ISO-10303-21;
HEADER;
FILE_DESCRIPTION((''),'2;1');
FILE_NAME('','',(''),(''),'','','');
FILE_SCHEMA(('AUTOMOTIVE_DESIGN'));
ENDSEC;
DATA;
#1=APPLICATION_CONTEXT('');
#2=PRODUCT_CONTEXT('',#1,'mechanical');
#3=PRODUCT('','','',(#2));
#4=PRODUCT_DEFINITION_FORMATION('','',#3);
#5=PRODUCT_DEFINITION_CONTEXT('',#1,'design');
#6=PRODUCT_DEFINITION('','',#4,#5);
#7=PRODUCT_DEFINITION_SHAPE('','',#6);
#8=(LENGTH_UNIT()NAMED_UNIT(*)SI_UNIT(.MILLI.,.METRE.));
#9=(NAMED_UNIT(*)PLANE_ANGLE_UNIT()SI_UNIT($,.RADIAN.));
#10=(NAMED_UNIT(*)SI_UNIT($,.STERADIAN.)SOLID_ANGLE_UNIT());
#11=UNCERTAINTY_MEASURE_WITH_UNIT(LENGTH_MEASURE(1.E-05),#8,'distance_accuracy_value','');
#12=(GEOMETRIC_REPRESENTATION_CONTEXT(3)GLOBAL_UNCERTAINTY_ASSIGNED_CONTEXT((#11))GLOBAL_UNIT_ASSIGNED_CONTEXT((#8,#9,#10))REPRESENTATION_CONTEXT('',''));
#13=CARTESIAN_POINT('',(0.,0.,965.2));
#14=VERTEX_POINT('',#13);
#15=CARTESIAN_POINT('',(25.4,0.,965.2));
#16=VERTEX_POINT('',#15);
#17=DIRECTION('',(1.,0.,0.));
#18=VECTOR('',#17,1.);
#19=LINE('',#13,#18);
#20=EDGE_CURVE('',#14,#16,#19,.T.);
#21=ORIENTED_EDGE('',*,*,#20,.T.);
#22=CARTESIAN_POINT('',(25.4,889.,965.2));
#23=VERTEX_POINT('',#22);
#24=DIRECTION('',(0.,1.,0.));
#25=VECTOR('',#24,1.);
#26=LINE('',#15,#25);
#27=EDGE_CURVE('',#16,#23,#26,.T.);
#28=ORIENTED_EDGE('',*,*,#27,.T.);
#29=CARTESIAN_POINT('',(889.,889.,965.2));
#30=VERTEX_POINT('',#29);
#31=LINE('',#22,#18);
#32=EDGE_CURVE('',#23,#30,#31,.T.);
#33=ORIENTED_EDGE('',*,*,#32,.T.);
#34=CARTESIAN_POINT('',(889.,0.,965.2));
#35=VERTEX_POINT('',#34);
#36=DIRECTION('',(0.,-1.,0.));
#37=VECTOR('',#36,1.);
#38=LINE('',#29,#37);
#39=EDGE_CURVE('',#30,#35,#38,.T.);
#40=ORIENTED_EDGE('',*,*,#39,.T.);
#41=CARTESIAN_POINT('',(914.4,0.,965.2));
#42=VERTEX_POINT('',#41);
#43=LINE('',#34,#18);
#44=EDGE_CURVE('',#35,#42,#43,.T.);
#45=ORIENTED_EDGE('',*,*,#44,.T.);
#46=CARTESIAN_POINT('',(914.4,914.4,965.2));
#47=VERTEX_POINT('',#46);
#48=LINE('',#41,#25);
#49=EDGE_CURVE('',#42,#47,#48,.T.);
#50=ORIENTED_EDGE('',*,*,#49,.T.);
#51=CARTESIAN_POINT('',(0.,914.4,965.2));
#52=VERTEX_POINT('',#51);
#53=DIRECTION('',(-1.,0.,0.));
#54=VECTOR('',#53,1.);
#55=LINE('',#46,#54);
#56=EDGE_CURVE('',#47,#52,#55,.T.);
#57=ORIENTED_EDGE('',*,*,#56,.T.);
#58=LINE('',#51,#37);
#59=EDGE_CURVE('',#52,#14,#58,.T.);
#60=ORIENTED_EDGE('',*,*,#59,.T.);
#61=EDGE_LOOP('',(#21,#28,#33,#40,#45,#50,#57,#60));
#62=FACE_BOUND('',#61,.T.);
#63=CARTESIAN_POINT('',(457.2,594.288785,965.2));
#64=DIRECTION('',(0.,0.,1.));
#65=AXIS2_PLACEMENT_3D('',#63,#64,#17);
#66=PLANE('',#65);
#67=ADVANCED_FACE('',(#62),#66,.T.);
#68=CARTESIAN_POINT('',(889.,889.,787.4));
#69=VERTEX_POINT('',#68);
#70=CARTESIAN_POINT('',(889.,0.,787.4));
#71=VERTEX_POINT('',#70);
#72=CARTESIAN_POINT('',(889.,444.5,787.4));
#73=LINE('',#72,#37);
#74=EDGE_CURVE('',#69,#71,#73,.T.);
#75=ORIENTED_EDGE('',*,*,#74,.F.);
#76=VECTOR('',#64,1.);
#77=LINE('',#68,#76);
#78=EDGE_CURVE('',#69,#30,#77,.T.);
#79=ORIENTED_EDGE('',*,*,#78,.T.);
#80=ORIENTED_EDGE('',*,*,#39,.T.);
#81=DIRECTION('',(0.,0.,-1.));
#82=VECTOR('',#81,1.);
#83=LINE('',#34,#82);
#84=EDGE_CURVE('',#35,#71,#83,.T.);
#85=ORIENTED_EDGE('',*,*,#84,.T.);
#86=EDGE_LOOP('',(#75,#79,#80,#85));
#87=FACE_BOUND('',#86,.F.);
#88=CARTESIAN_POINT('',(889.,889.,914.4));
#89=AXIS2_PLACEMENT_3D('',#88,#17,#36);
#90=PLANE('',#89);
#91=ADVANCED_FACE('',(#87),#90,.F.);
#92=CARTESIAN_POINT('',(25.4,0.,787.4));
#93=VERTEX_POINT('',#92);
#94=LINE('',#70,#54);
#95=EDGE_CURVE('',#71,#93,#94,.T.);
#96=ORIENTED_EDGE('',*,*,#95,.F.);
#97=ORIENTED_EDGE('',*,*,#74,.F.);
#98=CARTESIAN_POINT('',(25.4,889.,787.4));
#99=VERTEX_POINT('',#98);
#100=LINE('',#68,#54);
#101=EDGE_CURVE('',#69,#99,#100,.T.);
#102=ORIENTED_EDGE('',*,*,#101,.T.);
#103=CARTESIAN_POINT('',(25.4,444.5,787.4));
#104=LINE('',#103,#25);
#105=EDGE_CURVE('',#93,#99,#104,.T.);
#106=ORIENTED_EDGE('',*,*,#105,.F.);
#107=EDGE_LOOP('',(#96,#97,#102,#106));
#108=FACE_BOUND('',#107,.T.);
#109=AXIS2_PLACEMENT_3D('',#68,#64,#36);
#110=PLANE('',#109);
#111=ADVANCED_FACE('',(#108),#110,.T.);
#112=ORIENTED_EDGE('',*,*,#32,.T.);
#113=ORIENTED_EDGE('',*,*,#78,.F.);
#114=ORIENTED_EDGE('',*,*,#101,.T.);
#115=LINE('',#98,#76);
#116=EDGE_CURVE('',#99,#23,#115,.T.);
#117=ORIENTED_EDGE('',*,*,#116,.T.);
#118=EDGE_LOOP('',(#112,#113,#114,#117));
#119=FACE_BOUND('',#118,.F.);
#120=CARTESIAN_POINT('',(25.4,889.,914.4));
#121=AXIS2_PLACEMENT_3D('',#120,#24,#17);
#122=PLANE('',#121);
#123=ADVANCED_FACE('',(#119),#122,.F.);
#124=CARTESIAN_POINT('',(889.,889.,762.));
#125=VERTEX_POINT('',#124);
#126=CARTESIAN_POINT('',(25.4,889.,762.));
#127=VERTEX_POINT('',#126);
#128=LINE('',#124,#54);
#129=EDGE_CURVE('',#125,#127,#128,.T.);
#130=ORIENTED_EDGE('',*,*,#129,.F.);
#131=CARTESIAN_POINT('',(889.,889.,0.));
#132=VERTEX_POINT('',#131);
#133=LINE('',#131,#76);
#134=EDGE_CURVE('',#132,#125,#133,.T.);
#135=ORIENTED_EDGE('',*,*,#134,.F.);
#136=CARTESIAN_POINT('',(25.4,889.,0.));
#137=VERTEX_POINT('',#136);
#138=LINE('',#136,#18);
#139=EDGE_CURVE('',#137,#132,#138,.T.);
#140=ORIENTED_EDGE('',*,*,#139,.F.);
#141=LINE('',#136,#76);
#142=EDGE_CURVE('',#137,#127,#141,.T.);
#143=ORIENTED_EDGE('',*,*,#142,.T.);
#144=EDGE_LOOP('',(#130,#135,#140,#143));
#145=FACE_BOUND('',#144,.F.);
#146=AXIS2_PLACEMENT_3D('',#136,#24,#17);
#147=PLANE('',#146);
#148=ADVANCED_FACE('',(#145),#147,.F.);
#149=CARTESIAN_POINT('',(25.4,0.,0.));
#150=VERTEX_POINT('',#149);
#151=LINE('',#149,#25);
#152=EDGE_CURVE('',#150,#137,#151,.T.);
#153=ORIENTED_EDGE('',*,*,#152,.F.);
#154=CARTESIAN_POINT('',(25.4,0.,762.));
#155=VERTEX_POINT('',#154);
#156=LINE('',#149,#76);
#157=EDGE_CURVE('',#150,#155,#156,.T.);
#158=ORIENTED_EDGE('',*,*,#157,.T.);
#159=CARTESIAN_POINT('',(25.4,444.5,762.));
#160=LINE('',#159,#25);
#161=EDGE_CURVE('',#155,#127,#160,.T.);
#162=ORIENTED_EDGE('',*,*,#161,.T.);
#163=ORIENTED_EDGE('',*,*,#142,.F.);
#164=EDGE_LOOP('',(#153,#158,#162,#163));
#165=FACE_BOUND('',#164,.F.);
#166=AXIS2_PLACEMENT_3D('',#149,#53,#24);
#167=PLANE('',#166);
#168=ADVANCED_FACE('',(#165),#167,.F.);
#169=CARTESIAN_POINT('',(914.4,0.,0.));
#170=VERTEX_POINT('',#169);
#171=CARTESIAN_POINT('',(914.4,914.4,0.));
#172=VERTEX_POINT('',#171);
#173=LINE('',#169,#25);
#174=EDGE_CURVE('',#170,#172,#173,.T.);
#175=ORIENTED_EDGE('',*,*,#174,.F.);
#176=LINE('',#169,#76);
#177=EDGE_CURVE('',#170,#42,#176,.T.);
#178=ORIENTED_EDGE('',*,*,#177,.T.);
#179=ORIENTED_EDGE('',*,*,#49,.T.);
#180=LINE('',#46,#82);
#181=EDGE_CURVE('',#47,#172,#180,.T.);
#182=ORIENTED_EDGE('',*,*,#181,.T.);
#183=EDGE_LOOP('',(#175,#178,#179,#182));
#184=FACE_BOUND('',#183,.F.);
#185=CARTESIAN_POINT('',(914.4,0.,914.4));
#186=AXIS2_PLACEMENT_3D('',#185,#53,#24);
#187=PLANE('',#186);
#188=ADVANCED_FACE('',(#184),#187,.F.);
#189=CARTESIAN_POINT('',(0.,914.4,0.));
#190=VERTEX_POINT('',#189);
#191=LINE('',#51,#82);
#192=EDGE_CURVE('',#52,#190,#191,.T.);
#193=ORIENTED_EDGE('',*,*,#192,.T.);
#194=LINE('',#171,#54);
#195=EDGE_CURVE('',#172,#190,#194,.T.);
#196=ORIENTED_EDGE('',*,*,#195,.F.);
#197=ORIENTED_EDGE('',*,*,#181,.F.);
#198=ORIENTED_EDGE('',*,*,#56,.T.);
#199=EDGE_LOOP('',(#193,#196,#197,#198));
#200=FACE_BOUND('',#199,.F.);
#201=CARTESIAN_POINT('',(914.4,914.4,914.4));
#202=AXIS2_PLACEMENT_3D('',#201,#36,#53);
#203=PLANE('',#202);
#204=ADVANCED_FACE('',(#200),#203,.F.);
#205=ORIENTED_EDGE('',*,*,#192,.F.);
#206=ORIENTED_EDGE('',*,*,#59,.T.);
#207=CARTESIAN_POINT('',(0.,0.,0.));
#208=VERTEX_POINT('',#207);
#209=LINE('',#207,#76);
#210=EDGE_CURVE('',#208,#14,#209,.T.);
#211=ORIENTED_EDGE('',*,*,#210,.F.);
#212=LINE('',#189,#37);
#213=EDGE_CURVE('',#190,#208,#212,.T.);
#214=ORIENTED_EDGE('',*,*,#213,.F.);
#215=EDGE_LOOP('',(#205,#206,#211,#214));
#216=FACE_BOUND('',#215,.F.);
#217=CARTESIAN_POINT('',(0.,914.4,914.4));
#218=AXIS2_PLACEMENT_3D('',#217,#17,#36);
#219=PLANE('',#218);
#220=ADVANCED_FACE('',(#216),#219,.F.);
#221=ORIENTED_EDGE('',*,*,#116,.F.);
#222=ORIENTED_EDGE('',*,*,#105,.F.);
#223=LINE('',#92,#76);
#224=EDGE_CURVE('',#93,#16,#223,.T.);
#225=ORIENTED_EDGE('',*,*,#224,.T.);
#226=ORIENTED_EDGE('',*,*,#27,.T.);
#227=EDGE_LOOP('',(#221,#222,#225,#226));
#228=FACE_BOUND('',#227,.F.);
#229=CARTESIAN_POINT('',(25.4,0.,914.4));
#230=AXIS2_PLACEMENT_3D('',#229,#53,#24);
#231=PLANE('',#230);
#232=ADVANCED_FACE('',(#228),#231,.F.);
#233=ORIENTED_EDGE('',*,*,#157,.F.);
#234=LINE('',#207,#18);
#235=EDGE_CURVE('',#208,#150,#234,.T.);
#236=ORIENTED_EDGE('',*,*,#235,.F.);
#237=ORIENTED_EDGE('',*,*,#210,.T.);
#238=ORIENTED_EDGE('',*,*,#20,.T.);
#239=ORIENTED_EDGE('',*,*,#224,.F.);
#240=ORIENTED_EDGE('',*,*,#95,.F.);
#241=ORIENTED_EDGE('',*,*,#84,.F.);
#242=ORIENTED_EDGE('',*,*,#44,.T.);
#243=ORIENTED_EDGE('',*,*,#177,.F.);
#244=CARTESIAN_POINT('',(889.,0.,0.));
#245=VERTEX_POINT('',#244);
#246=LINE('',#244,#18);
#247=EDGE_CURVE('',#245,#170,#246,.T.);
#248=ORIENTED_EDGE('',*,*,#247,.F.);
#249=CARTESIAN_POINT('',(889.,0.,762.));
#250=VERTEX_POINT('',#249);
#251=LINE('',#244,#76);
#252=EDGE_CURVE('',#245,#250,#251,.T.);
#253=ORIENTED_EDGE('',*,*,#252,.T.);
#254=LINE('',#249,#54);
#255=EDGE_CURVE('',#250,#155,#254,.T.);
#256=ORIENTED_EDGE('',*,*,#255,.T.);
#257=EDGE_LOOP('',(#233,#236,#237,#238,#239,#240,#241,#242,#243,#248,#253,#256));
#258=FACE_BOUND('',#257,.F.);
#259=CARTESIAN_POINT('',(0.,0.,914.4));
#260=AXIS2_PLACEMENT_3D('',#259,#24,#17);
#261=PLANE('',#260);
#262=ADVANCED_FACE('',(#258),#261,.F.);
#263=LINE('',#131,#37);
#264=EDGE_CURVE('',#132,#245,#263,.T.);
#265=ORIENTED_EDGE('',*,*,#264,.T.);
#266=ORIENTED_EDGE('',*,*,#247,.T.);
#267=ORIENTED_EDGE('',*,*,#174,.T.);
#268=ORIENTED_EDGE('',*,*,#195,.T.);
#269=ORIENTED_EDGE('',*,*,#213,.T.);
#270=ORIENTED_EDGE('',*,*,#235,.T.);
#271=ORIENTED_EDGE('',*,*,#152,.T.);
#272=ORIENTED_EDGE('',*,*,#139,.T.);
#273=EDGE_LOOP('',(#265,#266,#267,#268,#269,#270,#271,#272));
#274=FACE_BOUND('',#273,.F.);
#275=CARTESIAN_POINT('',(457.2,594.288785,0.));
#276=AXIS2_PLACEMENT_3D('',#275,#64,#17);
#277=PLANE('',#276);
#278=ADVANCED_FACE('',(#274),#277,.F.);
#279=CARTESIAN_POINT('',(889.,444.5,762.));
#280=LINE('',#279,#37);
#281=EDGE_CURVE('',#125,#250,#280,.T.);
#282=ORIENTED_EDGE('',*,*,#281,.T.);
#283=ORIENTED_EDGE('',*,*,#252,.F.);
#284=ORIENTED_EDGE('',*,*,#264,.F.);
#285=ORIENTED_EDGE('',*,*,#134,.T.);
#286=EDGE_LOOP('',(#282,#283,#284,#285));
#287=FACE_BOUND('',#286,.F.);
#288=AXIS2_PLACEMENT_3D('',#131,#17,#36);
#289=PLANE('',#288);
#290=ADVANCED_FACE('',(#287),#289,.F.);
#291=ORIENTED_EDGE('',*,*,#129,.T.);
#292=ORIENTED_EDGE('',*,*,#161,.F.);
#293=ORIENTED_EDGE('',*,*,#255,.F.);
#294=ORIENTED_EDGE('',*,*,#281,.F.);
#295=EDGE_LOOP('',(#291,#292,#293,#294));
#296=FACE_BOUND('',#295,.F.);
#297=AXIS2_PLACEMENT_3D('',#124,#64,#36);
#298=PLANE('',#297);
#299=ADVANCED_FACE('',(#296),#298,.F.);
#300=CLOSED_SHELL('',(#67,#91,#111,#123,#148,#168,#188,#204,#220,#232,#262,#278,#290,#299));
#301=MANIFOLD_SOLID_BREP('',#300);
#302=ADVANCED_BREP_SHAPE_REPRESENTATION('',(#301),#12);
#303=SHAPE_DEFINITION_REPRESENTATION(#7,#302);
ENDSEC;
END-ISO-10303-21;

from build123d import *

# Parameters (mm, degrees)
F1_DEPTH = 914.4
F2_W     = 889
F2_H     = 25.4
F3_DEPTH = 889
F4_DEPTH = 50.8


with BuildPart() as f1:
    # F0 (on Top) → F1 (new body)
    with BuildSketch(Plane.XY):
        Polygon((889, 914.4), (0, 914.4), (0, 25.4), (0, 0), (25.4, 0), (25.4, 25.4), (25.4, 889), (889, 889), (889, 25.4), (889, 0), (914.4, 0), (914.4, 889), (914.4, 914.4), align=None)
    extrude(amount=F1_DEPTH)

    # F2 (on face) → F3 (join)
    with BuildSketch(Plane(origin=(889, 0, 0), x_dir=(0, -1, 0), z_dir=(-1, 0, 0))):
        with Locations((-444.5, 774.7)):
            Rectangle(F2_W, F2_H)
    extrude(amount=F3_DEPTH)

    # F4 (add): a face of the model
    f4_faces = [f1.faces().sort_by_distance(p)[0] for p in [
        (457.2, 901.4684311857, 914.4),
    ]]
    extrude(f4_faces, amount=F4_DEPTH)


solid = f1.part
